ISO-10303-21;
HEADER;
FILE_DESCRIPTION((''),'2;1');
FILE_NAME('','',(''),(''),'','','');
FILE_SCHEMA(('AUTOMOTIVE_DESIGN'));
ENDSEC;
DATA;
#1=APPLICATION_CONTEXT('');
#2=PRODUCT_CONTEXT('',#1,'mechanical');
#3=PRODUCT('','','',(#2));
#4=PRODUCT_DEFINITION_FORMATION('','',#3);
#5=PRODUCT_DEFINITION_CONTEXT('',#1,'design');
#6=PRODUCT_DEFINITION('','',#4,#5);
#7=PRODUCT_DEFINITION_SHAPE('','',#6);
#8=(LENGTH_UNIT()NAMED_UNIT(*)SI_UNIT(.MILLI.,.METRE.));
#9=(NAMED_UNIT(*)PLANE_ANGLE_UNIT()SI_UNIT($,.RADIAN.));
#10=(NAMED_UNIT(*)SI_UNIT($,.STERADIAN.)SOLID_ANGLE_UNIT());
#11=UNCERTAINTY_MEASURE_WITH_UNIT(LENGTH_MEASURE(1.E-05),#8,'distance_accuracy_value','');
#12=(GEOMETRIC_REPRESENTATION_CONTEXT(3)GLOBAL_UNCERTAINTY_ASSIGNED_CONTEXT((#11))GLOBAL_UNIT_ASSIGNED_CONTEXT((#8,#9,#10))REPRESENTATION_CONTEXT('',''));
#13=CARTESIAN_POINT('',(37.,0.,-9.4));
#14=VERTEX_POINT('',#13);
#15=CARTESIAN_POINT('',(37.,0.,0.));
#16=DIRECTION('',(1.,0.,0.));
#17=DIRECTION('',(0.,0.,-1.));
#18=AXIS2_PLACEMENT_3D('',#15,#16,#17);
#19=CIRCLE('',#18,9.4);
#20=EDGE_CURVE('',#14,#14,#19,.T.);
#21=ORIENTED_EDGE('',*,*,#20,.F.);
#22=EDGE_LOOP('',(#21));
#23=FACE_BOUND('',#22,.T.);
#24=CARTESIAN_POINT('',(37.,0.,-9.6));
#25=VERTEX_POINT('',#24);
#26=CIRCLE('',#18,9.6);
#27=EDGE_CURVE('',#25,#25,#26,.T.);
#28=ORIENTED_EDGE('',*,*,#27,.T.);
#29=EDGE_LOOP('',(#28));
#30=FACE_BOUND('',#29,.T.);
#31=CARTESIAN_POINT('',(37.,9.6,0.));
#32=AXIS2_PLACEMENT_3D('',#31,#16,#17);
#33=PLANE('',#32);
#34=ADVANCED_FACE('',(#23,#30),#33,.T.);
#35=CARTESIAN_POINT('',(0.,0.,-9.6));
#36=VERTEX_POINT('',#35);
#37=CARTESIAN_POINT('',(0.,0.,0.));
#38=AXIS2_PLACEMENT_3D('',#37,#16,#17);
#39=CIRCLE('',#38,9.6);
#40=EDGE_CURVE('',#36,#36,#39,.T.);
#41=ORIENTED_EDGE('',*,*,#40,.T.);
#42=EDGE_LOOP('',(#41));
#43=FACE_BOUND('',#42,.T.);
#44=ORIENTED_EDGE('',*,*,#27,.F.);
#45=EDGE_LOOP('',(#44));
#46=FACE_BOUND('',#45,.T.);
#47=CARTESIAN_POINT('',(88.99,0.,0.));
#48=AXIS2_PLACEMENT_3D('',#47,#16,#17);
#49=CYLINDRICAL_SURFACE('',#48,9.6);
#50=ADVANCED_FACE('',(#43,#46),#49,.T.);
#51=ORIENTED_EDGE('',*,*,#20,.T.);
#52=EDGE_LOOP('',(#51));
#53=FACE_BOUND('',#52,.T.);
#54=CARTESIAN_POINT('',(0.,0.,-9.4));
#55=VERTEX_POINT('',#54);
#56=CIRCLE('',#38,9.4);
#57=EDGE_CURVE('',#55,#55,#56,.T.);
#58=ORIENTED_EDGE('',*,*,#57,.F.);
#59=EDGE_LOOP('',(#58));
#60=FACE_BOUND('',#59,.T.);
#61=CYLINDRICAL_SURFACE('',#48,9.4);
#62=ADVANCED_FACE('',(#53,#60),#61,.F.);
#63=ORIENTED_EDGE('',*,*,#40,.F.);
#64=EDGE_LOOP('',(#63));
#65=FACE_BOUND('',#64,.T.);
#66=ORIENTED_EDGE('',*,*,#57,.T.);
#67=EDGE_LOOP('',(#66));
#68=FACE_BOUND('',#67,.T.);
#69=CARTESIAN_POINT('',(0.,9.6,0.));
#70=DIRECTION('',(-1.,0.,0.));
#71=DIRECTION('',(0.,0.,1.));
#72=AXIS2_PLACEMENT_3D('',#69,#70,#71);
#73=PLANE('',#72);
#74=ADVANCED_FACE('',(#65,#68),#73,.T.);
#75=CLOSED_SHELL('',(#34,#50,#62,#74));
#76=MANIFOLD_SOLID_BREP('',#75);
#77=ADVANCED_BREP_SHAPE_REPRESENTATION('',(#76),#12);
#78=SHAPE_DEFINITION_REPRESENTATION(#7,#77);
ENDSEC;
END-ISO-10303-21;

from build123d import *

# Parameters (mm, degrees)
SKETCH1_W = 37
SKETCH1_H = 0.2


with BuildPart() as part:
    # Sketch1 → Revolve1 (revolve)
    with BuildSketch(Plane.XY):
        with Locations((18.5, 9.5)):
            Rectangle(SKETCH1_W, SKETCH1_H)
    revolve(axis=Axis((88.99, 0, 0), (-1, 0, 0)))


solid = part.part
